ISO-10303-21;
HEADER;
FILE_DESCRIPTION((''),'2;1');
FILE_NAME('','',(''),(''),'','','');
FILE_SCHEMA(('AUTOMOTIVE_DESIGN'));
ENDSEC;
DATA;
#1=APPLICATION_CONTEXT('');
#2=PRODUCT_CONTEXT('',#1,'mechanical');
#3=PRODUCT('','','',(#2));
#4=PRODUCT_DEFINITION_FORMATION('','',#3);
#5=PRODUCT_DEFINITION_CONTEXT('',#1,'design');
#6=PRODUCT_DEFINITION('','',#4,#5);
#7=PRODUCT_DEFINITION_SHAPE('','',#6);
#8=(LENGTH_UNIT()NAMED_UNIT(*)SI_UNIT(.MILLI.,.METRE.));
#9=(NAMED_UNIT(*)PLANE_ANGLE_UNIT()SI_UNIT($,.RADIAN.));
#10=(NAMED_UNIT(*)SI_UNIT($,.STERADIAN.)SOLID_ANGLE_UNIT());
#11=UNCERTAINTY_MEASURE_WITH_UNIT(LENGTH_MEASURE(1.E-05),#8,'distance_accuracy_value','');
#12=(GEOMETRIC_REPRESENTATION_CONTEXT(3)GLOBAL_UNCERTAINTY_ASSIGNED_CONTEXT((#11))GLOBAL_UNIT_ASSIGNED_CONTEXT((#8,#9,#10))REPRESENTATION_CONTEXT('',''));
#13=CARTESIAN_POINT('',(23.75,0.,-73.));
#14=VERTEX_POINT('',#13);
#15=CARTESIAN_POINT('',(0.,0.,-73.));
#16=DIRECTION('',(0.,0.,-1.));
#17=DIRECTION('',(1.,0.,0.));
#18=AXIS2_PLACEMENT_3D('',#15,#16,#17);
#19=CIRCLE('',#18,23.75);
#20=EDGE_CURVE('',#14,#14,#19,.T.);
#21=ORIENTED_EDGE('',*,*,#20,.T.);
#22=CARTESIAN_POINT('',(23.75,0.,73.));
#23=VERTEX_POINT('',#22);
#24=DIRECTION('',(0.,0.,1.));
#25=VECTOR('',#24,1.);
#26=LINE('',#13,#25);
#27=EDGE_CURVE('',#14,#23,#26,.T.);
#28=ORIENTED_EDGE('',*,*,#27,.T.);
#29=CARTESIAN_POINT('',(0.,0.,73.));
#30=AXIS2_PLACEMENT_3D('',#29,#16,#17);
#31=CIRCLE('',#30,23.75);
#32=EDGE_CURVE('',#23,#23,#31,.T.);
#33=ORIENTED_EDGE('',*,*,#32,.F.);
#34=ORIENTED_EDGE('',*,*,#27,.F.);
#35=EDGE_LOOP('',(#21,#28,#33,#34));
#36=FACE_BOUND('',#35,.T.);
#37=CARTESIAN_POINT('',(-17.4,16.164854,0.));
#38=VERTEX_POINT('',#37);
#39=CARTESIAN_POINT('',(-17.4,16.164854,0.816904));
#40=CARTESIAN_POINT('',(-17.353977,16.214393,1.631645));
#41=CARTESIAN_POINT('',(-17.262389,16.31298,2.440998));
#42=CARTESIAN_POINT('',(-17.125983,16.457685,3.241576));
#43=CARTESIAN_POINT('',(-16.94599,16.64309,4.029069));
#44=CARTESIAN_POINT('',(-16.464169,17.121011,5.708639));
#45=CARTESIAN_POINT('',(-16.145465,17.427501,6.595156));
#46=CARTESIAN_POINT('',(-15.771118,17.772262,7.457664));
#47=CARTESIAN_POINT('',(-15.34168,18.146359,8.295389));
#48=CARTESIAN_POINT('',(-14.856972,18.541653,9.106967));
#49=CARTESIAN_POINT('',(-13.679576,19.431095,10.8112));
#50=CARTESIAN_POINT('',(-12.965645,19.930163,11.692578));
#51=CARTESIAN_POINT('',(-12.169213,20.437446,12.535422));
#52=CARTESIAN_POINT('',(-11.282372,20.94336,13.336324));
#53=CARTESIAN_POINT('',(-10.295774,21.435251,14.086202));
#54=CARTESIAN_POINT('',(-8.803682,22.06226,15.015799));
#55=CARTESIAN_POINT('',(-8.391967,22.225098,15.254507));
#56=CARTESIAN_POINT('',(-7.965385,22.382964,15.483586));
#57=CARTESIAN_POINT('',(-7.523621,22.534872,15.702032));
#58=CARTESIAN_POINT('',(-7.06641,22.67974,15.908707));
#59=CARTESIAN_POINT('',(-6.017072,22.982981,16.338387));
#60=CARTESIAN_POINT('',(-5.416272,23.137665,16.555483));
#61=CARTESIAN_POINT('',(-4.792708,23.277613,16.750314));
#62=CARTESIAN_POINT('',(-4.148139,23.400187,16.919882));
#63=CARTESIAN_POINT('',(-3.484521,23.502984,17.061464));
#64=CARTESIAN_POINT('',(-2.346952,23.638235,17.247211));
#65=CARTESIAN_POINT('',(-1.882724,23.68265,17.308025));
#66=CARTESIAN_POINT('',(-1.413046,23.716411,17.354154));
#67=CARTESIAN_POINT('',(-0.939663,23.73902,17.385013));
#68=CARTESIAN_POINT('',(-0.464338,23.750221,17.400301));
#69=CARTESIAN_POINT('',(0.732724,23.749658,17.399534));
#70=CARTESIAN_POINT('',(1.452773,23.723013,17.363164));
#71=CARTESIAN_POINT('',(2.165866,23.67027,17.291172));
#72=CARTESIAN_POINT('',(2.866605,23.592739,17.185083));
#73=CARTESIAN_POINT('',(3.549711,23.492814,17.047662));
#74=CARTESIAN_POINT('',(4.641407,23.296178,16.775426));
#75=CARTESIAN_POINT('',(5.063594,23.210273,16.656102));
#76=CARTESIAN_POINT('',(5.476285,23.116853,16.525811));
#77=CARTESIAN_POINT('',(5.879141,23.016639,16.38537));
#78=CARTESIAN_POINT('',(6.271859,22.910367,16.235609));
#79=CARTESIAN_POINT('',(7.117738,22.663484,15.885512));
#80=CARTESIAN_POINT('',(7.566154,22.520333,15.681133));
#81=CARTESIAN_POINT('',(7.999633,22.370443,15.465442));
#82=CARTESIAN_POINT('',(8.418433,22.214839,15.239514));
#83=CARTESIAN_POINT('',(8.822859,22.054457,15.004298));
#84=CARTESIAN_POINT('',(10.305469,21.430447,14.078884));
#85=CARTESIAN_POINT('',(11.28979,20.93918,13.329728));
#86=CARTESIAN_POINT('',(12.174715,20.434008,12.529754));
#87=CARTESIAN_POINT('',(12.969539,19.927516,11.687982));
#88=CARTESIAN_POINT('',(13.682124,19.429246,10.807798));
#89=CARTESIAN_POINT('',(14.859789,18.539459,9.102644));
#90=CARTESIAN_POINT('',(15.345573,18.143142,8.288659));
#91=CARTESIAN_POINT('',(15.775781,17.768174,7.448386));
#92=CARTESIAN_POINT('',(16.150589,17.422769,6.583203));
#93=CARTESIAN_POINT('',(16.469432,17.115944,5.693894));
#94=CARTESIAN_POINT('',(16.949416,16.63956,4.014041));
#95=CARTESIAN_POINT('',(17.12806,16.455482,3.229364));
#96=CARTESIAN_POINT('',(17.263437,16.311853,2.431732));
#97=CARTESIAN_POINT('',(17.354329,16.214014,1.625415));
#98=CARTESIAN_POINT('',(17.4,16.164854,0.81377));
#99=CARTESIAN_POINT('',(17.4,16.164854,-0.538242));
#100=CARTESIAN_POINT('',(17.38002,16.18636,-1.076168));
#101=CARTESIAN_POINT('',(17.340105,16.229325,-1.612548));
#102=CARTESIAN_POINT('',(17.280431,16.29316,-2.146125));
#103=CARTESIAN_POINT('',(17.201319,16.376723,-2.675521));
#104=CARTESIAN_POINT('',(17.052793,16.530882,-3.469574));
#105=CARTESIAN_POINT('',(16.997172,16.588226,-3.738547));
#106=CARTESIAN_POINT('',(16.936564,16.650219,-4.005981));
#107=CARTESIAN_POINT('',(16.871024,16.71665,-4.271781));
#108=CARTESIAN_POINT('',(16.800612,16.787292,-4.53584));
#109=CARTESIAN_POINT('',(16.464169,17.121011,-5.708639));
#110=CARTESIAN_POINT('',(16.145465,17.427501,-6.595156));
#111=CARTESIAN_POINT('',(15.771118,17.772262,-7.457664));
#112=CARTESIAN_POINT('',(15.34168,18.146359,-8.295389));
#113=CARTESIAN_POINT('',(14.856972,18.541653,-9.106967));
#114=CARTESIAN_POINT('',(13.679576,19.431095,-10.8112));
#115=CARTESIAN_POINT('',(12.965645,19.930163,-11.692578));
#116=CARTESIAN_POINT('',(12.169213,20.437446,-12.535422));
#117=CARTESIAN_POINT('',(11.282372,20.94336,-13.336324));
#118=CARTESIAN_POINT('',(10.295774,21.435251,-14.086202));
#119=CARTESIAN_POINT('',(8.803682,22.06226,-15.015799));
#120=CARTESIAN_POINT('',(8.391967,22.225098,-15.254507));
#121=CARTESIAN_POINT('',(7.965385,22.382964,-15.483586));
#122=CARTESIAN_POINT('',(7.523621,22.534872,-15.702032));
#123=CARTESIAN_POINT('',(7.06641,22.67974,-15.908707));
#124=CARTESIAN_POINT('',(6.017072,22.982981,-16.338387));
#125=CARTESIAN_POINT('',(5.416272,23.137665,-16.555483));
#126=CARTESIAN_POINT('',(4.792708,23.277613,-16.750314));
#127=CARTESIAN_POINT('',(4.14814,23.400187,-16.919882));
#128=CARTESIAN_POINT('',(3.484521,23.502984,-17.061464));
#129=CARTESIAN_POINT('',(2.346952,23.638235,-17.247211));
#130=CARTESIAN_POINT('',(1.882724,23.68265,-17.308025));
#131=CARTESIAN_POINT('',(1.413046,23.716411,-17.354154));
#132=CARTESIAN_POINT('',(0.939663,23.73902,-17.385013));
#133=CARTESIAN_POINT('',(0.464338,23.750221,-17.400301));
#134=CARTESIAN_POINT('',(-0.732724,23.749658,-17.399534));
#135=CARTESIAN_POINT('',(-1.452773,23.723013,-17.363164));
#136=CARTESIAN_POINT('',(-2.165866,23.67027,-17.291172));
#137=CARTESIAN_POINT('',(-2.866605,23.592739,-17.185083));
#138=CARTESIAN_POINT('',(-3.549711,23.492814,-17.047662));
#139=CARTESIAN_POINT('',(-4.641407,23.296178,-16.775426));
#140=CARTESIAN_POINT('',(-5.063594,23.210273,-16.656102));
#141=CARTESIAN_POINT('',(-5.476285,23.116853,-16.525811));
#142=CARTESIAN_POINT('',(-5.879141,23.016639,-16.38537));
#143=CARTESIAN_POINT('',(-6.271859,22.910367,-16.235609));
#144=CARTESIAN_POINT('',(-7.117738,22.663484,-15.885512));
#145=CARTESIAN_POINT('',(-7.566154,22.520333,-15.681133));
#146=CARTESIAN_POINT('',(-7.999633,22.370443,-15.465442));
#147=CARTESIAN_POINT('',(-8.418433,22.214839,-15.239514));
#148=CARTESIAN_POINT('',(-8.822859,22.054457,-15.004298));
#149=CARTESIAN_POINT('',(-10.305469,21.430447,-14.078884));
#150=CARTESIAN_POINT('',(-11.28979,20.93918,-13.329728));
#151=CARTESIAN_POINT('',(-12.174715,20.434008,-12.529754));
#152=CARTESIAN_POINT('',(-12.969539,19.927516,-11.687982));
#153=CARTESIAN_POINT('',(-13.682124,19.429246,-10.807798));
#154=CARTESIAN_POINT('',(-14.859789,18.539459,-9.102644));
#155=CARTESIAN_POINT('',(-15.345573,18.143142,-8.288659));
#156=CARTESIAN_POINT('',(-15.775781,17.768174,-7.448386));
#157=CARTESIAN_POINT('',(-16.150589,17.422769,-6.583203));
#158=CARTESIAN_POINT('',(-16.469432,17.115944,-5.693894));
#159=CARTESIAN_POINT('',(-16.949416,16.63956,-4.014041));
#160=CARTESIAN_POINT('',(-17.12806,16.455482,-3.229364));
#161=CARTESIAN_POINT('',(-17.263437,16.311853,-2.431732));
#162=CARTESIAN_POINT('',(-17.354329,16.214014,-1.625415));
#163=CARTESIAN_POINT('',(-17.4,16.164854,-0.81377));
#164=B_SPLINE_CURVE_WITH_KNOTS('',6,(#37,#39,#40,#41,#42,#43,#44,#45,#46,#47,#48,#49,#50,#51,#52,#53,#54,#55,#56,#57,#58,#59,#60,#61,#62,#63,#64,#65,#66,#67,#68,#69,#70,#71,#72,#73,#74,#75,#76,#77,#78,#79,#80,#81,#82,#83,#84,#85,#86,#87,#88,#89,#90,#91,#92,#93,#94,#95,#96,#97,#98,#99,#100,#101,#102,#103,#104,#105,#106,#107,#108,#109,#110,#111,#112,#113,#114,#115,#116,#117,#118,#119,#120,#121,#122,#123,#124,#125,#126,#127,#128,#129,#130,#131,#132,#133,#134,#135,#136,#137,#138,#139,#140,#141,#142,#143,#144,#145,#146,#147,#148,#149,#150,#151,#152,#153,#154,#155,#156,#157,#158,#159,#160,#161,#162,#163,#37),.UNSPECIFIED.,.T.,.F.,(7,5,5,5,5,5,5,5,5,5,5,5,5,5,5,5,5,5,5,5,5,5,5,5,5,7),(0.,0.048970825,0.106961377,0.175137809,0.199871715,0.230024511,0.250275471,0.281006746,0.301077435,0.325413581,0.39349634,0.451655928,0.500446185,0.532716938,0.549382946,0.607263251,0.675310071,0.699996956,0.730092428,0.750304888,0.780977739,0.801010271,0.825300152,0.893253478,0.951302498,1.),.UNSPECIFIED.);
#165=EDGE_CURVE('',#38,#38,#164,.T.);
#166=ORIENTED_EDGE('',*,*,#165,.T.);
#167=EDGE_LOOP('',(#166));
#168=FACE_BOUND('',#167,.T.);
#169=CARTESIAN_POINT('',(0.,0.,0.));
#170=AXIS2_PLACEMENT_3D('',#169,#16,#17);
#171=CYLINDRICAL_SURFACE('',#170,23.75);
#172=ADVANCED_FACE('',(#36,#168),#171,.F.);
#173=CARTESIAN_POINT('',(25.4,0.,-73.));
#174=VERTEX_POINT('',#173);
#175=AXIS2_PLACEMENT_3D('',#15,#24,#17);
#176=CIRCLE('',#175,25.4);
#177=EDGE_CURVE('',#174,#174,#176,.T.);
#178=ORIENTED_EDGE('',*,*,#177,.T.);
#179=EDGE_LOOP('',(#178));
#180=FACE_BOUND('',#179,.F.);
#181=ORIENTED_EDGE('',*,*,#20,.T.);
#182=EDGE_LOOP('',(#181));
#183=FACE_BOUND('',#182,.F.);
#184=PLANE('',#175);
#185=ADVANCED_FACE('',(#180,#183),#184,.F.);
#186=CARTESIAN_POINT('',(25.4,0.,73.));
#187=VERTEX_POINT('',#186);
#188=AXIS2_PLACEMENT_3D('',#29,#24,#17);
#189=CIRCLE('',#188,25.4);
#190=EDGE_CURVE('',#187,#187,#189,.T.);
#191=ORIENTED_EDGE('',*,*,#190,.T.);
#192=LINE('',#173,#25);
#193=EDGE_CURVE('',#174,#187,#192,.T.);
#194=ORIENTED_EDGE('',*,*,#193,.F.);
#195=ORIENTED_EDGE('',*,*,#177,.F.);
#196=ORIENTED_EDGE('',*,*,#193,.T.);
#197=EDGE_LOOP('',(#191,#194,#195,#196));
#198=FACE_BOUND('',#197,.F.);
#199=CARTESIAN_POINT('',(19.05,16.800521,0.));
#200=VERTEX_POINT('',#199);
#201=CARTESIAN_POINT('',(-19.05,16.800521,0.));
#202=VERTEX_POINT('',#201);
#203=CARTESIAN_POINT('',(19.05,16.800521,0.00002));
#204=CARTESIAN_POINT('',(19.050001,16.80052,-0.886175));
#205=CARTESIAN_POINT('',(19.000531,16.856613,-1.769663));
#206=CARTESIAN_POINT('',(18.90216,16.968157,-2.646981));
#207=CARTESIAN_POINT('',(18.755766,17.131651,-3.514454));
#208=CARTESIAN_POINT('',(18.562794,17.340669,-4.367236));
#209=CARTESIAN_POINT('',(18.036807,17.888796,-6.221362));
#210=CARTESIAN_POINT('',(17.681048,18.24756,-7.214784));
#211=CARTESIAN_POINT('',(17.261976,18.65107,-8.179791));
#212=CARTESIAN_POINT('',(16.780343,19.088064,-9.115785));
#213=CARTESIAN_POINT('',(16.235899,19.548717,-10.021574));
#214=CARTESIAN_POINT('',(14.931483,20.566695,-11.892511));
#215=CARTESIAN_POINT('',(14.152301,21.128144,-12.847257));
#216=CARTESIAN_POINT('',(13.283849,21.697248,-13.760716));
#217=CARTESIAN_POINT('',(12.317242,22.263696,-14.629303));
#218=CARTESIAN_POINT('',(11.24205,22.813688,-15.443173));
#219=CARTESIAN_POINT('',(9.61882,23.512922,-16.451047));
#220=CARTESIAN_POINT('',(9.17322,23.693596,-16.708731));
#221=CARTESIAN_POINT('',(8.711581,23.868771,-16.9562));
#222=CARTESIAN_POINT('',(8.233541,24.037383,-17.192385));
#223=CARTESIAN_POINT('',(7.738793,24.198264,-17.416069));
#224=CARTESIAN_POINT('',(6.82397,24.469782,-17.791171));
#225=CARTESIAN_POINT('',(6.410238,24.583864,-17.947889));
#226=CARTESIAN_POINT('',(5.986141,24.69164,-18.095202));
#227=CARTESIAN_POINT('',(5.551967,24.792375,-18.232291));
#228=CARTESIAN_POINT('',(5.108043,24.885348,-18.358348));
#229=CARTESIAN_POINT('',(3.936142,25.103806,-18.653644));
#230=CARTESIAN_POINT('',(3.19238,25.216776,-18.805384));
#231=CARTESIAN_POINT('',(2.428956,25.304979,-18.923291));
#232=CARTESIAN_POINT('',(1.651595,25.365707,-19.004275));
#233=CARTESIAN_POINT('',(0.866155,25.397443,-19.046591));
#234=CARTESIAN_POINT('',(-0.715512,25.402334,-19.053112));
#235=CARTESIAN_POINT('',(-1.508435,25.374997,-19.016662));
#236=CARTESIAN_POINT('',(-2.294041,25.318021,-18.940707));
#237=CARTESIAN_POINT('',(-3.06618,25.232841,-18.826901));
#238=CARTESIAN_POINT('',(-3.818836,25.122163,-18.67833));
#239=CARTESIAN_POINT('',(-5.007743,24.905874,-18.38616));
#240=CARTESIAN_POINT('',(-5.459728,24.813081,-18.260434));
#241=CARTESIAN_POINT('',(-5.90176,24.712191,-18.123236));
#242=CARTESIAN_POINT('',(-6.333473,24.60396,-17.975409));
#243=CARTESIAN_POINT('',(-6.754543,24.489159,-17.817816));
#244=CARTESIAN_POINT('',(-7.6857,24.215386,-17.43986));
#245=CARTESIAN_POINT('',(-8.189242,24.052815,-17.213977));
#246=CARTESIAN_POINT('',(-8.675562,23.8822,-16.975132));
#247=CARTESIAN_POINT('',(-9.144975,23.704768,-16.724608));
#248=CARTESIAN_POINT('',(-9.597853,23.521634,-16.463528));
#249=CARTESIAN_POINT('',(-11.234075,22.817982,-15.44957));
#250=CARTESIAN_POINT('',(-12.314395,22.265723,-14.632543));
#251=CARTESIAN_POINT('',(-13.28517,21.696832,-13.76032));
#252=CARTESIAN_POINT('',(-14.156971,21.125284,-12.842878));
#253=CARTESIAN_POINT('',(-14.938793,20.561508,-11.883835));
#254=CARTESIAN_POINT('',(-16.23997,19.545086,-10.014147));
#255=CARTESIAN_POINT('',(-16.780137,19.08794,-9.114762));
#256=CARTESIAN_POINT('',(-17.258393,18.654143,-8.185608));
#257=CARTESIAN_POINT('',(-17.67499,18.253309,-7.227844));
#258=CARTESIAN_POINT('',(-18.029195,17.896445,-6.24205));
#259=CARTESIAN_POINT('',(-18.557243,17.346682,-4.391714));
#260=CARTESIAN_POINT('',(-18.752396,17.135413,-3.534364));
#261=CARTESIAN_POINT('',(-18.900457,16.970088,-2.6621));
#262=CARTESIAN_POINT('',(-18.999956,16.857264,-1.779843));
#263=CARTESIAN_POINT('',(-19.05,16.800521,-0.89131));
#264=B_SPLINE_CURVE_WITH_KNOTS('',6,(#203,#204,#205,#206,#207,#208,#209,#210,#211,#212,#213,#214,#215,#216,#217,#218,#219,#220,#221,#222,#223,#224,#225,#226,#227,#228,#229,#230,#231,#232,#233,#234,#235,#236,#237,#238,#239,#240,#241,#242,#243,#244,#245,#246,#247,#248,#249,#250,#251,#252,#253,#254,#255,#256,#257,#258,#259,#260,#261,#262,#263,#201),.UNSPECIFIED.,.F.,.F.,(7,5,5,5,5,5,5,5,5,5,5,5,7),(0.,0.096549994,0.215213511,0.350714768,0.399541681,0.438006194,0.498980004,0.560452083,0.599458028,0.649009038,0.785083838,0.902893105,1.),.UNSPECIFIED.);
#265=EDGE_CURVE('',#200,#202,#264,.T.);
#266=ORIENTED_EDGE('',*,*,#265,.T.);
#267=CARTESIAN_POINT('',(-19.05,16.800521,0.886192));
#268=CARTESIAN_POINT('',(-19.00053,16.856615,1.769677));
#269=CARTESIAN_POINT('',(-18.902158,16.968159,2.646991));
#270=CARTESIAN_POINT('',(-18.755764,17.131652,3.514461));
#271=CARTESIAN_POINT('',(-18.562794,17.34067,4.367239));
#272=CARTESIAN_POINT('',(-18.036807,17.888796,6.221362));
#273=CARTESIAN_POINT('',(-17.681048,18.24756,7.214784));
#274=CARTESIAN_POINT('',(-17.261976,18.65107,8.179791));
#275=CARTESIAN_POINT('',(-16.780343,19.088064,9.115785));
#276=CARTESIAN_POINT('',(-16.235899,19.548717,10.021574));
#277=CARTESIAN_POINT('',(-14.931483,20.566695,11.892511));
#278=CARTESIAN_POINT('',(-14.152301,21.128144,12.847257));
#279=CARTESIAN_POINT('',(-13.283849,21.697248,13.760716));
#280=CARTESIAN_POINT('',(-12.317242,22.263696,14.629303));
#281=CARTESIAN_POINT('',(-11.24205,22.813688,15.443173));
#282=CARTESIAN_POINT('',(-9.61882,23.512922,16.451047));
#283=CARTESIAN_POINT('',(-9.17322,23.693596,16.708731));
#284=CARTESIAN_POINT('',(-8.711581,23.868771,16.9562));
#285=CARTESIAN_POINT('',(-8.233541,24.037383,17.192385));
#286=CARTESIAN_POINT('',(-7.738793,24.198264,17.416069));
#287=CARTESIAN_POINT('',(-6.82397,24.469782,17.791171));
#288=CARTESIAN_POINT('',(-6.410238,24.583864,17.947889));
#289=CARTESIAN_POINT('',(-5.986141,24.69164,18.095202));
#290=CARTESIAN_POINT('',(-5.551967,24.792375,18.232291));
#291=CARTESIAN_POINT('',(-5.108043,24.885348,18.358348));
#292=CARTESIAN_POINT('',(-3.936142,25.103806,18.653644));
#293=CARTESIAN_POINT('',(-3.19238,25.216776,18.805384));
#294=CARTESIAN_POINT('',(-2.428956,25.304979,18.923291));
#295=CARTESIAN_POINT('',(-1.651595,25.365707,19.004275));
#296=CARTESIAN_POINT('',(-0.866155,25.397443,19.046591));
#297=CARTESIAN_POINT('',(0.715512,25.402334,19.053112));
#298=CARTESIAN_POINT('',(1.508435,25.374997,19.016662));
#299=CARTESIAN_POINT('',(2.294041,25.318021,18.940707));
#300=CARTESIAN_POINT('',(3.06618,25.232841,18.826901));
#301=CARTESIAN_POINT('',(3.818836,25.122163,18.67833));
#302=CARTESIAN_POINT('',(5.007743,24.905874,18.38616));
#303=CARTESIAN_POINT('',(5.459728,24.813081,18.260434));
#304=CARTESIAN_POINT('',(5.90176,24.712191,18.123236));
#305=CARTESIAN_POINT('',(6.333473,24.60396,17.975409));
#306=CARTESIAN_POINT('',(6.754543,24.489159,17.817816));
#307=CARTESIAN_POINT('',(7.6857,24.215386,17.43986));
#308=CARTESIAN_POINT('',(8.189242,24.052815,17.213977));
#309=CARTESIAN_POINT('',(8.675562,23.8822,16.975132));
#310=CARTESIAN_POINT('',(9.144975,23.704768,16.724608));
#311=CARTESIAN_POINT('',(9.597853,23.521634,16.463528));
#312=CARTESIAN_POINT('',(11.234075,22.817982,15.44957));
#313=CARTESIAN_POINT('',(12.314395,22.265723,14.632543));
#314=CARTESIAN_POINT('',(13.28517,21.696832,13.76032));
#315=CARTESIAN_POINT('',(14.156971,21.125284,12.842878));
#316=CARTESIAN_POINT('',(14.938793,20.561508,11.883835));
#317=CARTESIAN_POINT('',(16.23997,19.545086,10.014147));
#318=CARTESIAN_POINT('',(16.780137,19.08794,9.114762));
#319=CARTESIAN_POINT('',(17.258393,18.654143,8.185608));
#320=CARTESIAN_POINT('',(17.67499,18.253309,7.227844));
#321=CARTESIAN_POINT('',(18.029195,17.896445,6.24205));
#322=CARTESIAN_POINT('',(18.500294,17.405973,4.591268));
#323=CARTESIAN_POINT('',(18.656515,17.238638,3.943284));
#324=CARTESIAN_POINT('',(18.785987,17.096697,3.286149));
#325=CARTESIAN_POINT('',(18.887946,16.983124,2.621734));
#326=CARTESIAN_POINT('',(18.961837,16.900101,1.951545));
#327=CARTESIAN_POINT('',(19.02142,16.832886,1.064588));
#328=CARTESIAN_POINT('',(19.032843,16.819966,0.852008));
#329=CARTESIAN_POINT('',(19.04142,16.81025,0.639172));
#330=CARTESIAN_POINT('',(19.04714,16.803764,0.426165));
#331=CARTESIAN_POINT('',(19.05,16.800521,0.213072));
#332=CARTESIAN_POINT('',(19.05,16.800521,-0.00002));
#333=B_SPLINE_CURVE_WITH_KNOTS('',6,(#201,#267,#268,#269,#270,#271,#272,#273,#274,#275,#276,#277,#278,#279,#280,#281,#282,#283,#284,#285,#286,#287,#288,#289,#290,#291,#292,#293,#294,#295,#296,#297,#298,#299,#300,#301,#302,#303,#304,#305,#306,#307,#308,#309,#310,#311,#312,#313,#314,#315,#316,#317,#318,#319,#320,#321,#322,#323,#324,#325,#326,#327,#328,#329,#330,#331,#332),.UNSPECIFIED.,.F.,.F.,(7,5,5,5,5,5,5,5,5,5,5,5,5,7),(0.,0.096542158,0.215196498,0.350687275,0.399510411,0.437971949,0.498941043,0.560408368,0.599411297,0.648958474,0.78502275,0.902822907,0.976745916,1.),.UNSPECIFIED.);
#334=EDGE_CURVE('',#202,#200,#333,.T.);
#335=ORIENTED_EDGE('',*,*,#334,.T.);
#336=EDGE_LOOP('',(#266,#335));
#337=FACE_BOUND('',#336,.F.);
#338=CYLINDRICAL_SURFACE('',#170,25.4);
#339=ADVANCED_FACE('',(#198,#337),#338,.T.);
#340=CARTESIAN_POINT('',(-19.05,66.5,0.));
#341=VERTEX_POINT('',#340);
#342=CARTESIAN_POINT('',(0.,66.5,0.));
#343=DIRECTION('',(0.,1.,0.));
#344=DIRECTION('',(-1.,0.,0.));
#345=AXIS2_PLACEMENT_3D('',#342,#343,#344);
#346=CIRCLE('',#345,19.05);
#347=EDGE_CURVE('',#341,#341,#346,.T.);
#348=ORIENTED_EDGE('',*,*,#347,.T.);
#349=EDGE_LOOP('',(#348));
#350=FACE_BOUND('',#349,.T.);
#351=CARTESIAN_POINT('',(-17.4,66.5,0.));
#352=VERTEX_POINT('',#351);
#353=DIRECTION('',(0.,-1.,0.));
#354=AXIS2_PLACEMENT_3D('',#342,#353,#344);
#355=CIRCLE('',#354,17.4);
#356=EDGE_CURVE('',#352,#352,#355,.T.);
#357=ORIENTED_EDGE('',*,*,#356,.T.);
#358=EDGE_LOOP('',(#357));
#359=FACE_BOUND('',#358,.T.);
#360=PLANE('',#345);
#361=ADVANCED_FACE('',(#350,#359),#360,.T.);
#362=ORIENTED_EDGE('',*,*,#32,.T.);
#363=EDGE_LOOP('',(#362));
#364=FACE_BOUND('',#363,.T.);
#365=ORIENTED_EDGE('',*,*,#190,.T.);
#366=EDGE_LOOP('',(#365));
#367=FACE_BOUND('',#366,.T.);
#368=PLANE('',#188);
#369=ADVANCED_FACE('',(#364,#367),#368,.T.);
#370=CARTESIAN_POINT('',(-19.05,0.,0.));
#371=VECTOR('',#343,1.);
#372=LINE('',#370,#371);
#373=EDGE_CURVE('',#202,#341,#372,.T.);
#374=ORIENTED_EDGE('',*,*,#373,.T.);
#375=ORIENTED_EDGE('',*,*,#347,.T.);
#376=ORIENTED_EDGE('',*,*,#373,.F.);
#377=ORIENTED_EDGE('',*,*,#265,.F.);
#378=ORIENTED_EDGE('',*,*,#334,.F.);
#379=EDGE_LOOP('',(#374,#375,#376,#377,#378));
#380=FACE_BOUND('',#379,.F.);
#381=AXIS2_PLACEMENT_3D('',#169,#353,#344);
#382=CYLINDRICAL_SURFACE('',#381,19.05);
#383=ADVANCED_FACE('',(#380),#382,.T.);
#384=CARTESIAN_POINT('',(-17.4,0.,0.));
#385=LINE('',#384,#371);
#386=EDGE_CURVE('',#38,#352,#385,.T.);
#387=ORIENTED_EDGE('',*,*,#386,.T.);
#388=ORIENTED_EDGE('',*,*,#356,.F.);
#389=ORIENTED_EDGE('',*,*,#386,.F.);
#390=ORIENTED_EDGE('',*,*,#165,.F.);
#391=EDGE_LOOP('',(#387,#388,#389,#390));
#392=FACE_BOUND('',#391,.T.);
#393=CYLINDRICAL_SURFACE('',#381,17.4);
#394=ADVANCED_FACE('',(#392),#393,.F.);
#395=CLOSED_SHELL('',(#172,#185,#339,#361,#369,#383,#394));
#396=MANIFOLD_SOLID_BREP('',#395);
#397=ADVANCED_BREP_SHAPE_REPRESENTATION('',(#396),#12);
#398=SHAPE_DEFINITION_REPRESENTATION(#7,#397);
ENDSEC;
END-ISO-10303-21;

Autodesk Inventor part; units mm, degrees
ref_plane "YZ Plane" through (0, 0, 0) normal (1, 0, 0) x (0, 1, 0)
ref_plane "XZ Plane" through (0, 0, 0) normal (0, 1, 0) x (-1, 0, 0)
ref_plane "XY Plane" through (0, 0, 0) normal (0, 0, 1) x (1, 0, 0)
sketch "Sketch1" plane through (0, 0, 0) normal (0, 0, 1) x (1, 0, 0)
  circle A0 centre (0, 0) radius 25.4
  dimension "d0" = 50.8
extrude "Extrusion1" add sketch "Sketch1" along normal mid plane 146
sketch "Sketch2" plane through (0, 0, 0) normal (0, 1, 0) x (-1, 0, 0)
  circle A0 centre (0, 0) radius 19.05
  dimension "d3" = 38.1
extrude "Extrusion2" add sketch "Sketch2" along normal blind 66.5
shell "Shell1" thickness 1.65 removed faces 3 at (5.6226, 66.5, 0.0883) at (-7.2508, -1.9085, 73) at (-7.2508, -1.9085, -73)
properties part number "ASME BPE - RED TEE-50.8-38.1" material "Stainless Steel, 316L"
